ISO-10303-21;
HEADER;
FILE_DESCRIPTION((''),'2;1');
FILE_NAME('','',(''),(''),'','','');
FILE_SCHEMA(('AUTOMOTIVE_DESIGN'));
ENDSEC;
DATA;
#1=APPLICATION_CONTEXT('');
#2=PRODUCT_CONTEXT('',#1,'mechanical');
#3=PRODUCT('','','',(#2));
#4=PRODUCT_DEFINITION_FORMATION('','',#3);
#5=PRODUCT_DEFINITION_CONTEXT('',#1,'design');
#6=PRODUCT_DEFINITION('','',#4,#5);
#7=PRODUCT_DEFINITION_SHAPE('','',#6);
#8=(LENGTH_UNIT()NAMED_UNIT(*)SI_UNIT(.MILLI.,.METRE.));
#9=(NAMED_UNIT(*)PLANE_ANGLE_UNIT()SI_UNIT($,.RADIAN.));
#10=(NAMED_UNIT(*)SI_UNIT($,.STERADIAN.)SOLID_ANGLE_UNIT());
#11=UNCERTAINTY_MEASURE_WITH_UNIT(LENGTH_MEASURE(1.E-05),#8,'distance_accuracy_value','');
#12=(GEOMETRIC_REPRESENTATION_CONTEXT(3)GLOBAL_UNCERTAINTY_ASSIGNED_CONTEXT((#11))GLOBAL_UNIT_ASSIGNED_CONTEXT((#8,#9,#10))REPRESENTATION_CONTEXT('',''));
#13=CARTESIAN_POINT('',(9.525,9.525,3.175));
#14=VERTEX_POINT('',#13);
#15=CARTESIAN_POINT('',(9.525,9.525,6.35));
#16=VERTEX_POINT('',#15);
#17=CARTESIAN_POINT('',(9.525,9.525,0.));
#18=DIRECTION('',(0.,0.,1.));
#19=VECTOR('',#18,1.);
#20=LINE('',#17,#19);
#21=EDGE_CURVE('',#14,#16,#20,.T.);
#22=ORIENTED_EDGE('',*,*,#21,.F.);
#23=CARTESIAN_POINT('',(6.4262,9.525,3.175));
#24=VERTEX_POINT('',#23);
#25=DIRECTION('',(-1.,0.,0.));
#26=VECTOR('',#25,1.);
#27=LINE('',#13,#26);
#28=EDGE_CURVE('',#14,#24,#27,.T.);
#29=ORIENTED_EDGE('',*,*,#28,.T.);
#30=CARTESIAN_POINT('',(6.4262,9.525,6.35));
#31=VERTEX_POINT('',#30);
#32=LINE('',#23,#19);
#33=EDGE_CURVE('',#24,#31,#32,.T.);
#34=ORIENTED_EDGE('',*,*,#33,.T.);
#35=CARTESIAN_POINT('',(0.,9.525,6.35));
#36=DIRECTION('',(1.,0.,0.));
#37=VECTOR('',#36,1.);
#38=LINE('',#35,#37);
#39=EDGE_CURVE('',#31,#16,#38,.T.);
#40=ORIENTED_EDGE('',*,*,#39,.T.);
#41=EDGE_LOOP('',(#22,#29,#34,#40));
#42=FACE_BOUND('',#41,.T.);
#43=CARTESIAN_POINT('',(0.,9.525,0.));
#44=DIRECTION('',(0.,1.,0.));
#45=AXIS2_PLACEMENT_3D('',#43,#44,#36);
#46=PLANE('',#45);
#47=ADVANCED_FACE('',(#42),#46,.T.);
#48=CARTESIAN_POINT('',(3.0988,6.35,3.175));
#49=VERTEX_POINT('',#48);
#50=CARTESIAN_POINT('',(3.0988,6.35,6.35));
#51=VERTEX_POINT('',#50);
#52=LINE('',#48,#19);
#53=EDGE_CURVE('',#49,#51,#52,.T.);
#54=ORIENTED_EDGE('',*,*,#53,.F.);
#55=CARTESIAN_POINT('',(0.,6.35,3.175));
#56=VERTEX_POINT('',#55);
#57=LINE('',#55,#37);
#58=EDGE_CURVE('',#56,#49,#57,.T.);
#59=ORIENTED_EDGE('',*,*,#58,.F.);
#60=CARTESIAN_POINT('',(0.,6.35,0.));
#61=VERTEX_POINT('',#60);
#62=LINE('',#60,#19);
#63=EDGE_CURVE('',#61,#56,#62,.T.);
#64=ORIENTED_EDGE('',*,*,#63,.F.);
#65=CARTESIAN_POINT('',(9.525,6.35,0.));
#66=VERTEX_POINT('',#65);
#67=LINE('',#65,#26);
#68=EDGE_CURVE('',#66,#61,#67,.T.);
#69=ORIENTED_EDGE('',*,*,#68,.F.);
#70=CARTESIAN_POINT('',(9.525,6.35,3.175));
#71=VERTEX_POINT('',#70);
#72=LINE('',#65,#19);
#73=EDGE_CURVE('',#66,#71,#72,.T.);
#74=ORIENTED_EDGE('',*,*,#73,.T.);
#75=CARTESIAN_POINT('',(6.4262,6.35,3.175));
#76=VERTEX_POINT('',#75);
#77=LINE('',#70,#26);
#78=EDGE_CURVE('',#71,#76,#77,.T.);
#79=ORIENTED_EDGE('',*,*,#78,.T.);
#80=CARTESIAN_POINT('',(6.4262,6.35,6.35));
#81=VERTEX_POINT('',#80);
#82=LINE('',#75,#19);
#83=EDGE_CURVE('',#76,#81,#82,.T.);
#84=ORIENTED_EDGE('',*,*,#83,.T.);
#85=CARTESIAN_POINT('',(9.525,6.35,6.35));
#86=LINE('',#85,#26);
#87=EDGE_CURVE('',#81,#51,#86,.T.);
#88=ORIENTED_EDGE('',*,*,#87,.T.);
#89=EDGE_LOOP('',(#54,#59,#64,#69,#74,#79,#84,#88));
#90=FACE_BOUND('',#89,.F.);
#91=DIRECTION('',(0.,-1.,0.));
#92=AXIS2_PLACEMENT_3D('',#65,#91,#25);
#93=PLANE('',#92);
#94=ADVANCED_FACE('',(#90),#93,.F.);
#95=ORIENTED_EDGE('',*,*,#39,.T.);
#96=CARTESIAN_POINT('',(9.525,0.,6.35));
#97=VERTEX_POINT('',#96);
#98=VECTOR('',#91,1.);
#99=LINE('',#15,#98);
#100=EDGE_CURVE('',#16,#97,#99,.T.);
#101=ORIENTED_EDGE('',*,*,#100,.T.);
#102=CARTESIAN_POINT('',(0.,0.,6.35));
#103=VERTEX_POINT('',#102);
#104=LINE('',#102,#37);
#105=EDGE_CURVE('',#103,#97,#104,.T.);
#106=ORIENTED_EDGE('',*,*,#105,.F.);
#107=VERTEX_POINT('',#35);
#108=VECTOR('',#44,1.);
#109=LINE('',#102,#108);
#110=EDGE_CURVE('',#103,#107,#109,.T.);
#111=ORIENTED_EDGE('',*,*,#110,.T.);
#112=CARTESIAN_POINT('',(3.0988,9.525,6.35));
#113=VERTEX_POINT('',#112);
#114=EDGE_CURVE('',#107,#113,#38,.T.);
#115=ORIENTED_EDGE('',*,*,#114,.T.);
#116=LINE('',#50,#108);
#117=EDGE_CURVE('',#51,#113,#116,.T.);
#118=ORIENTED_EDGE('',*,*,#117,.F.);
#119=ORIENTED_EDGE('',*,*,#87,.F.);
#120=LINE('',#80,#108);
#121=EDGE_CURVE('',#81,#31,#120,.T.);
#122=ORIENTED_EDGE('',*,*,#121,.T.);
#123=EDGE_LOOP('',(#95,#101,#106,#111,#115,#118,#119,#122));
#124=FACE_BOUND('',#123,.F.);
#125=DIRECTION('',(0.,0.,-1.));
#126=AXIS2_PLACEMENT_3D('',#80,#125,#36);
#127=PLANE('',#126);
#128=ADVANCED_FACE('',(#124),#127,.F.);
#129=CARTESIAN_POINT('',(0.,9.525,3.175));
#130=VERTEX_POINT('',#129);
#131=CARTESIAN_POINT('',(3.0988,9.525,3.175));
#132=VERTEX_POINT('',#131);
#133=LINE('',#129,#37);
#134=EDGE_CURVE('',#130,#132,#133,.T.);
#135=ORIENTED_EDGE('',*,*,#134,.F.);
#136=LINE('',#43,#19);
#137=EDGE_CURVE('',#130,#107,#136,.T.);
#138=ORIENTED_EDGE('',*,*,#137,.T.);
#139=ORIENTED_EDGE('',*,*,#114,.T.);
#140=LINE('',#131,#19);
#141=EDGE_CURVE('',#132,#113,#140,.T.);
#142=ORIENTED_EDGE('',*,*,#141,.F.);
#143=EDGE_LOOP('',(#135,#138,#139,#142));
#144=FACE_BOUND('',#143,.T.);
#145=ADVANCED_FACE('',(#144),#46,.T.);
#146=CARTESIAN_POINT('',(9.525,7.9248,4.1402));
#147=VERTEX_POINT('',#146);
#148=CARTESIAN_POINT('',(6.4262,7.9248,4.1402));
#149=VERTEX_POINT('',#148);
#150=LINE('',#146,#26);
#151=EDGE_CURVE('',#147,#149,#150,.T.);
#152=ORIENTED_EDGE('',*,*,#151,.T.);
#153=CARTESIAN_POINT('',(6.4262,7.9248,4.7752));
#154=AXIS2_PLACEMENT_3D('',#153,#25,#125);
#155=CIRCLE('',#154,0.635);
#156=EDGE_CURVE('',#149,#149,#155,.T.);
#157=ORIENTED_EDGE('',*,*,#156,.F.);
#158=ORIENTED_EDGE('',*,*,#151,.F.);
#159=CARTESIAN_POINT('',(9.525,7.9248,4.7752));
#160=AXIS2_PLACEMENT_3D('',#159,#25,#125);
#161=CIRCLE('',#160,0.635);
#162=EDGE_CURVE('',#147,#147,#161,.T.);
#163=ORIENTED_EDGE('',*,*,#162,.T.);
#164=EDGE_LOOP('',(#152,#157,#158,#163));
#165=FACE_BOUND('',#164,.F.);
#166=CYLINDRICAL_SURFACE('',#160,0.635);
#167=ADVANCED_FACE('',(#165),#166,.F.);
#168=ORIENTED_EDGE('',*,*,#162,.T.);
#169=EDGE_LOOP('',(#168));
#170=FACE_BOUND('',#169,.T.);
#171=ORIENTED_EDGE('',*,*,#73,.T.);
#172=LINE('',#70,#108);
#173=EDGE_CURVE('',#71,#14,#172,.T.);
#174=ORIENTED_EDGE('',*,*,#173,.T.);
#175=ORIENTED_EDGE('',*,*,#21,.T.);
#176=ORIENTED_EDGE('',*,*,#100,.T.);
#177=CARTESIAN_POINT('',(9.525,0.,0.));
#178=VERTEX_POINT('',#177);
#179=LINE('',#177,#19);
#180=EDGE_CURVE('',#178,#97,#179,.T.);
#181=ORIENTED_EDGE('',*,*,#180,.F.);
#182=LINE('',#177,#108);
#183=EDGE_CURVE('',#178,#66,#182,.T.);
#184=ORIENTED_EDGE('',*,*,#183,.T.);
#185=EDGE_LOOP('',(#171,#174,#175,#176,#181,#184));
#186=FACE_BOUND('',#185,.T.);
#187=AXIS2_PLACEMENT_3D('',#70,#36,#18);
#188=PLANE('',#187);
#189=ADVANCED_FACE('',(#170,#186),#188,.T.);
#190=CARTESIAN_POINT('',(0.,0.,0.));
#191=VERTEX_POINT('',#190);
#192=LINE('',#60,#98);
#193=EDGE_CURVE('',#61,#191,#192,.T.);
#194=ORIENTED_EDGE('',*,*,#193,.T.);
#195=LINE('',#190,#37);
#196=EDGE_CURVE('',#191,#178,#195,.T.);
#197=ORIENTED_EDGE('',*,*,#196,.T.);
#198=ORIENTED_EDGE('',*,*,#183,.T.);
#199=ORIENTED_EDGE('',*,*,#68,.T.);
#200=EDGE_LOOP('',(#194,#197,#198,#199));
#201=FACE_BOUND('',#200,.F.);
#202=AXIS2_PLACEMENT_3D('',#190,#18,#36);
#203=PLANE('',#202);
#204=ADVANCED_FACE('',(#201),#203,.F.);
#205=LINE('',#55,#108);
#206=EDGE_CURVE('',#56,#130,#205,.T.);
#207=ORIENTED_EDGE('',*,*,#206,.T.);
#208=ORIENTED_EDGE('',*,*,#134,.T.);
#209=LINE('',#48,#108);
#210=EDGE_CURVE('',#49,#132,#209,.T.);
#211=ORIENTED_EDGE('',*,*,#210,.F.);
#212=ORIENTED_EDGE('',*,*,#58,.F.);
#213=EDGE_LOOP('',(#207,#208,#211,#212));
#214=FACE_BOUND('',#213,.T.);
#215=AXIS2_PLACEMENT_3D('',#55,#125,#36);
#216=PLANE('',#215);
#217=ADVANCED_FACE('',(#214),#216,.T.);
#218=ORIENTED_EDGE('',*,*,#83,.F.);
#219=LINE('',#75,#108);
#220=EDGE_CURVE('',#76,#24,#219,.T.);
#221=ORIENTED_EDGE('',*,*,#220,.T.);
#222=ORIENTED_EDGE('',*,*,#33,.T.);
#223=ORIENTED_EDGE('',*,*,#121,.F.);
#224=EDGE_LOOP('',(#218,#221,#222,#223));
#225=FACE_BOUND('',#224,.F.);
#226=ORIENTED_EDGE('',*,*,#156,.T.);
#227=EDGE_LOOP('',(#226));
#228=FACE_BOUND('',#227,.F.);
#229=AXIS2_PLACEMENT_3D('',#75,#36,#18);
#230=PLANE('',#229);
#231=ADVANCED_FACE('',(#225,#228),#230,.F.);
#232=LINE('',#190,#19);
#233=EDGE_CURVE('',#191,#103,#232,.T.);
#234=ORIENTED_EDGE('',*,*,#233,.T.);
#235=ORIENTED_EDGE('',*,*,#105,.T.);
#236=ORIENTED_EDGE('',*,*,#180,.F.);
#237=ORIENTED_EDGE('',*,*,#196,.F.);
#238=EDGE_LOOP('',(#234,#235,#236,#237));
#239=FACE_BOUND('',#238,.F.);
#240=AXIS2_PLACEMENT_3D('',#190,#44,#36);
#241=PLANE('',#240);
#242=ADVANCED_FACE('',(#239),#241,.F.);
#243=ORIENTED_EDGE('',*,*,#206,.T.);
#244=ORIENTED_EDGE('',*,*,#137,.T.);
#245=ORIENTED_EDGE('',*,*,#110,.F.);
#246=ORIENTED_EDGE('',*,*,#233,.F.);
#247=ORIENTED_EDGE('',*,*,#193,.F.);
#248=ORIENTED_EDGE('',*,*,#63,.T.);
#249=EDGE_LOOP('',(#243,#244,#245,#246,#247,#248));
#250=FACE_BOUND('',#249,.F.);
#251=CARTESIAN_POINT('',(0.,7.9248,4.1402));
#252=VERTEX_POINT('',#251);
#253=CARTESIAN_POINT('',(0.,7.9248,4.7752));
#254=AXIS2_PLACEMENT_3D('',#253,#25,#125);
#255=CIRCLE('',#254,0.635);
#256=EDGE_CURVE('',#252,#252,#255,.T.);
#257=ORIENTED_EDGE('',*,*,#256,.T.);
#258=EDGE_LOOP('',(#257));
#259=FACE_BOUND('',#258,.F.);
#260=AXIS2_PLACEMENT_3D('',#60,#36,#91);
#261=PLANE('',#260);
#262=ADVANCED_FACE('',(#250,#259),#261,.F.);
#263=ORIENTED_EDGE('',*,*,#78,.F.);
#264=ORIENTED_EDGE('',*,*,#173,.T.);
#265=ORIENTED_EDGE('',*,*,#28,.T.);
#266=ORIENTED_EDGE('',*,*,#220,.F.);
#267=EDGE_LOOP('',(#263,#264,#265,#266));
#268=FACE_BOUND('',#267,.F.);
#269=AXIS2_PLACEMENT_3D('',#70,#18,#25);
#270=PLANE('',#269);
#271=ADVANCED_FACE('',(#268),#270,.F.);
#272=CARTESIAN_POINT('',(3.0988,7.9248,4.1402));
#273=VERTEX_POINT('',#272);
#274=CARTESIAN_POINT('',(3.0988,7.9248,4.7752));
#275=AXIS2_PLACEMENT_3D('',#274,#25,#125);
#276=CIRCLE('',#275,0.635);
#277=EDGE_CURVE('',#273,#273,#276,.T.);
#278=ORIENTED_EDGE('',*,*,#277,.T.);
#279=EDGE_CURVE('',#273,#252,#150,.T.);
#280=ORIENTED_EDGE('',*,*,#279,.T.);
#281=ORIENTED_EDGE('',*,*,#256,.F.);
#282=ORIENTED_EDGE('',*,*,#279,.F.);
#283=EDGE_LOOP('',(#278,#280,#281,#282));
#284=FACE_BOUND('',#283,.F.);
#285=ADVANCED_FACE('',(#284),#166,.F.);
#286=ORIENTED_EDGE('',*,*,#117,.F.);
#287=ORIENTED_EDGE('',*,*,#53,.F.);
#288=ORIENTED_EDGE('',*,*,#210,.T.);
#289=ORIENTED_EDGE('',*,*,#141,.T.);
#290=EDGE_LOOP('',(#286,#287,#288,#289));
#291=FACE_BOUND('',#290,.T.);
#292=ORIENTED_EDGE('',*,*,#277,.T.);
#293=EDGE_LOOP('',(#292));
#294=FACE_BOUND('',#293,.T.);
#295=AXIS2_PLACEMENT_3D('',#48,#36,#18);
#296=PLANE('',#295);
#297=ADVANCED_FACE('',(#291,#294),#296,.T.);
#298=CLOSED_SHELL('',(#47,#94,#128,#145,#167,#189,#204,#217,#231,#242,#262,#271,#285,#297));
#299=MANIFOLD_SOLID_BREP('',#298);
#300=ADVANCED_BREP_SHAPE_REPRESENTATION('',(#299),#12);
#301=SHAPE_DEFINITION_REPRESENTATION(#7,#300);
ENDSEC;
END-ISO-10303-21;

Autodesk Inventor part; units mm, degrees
ref_plane "YZ Plane" through (0, 0, 0) normal (1, 0, 0) x (0, 1, 0)
ref_plane "XZ Plane" through (0, 0, 0) normal (0, 1, 0) x (-1, 0, 0)
ref_plane "XY Plane" through (0, 0, 0) normal (0, 0, 1) x (1, 0, 0)
sketch "Sketch1" plane through (0, 0, 0) normal (0, 0, 1) x (1, 0, 0)
  line L0 (0, 0) -> (9.525, 0)
  line L1 (9.525, 0) -> (9.525, 6.35)
  line L2 (9.525, 6.35) -> (0, 6.35)
  line L3 (0, 6.35) -> (0, 0)
  dimension "d0" = 9.525
  dimension "d1" = 6.35
extrude "Extrusion1" add sketch "Sketch1" along normal blind 6.35
sketch "Sketch2" plane through (0, 6.35, 0) normal (0, 1, 0) x (1, 0, 0)
  point P0 (0, 0)
sketch "Sketch3" plane through (0, 6.35, 0) normal (0, 1, 0) x (1, 0, 0)
  line L0 (0, 0) -> (0, -6.35) projected
  line L1 (0, -6.35) -> (9.525, -6.35) projected
  line L2 (0, -3.175) -> (3.0988, -3.175)
  line L3 (3.0988, -3.175) -> (3.0988, -6.35)
  line L4 (3.0988, -6.35) -> (0, -6.35)
  line L5 (0, -6.35) -> (0, -3.175)
  dimension "d4" = 3.0988
extrude "Extrusion2" add sketch "Sketch3" along normal blind 3.175
sketch "Sketch4" plane through (0, 6.35, 0) normal (0, 1, 0) x (1, 0, 0)
  line L0 (9.525, 0) -> (9.525, -6.35) projected
  line L1 (0, -6.35) -> (9.525, -6.35) projected
  line L2 (9.525, -3.175) -> (6.4262, -3.175)
  line L3 (6.4262, -3.175) -> (6.4262, -6.35)
  line L4 (6.4262, -6.35) -> (9.525, -6.35)
  line L5 (9.525, -6.35) -> (9.525, -3.175)
  point P0 (0, 0)
  dimension "d7" = 3.0988
extrude "Extrusion3" add sketch "Sketch4" along normal blind 3.175
hole "Hole1" at (9.525, 7.9248, 4.7752) direction (-1, 0, 0) diameter 1.27 end through all
properties part number "HingePart2MK2"
